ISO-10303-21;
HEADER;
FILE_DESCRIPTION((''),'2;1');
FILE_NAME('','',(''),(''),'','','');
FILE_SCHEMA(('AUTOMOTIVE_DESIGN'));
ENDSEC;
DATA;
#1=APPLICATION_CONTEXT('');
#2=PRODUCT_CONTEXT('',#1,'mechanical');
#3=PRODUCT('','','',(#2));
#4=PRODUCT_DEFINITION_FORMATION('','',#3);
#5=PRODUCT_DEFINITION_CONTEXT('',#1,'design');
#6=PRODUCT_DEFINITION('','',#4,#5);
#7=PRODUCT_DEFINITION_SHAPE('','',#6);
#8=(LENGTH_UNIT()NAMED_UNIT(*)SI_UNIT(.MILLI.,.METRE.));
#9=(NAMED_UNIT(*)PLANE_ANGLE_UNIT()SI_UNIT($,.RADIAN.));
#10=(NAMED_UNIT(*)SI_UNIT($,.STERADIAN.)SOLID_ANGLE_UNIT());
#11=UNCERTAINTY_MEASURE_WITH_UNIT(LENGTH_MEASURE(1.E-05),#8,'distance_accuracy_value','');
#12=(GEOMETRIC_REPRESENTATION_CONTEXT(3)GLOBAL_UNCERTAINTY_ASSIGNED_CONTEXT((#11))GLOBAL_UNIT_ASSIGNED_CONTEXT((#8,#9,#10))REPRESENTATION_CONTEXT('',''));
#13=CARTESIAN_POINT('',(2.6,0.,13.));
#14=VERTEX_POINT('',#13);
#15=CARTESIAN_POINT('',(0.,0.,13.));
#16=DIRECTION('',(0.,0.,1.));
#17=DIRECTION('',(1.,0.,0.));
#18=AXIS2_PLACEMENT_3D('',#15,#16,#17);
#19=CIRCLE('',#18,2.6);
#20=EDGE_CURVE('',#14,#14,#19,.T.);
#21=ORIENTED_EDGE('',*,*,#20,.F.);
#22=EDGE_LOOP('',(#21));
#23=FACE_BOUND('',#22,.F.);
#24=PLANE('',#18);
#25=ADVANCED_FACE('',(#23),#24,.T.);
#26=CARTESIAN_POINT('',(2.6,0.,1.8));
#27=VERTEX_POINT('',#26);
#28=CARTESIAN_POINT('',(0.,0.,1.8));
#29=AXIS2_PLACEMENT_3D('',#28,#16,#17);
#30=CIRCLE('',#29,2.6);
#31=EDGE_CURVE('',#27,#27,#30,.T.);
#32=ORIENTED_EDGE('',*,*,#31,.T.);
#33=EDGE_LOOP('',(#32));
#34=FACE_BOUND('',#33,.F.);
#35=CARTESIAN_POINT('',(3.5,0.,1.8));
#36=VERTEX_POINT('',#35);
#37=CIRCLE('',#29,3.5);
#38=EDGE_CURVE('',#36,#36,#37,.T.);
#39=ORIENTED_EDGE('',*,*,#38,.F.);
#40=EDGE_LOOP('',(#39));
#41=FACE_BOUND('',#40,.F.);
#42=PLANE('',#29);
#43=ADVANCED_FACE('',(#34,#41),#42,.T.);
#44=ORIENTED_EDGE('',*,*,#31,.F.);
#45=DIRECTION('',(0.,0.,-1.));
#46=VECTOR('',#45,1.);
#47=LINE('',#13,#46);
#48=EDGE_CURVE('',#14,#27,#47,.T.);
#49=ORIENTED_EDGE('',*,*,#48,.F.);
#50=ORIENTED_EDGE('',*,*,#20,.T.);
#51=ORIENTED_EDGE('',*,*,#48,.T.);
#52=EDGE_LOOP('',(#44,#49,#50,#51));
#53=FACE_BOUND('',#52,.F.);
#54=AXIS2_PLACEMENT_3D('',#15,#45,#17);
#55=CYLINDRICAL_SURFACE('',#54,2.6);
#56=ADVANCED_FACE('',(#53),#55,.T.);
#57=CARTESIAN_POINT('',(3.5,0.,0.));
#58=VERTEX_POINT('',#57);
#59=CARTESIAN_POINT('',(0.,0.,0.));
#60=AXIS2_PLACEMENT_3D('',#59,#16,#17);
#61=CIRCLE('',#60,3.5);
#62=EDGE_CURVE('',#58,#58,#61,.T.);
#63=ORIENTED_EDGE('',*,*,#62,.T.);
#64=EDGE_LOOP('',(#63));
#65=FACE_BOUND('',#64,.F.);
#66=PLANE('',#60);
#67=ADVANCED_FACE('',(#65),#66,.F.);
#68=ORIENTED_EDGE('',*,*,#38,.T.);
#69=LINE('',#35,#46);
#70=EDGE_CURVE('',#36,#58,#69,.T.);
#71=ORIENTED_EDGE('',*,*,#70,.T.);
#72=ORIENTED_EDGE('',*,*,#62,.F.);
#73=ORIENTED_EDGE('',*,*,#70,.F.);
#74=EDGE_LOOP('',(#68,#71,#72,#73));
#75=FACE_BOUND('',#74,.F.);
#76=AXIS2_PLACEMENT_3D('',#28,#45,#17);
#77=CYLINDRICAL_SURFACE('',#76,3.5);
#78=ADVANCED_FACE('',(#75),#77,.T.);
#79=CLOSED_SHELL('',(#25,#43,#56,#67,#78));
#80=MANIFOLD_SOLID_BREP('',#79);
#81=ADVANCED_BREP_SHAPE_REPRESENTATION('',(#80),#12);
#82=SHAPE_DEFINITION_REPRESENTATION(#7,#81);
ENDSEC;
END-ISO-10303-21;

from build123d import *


with BuildPart() as part:
    # Sketch → Revolution (revolve)
    with BuildSketch(Plane.XZ):
        Polygon((0, 13), (2.6, 13), (2.6, 1.8), (3.5, 1.8), (3.5, 0), (0, 0), align=None)
    revolve(axis=Axis((0, 0, 0), (0, 0, 1)))


solid = part.part
